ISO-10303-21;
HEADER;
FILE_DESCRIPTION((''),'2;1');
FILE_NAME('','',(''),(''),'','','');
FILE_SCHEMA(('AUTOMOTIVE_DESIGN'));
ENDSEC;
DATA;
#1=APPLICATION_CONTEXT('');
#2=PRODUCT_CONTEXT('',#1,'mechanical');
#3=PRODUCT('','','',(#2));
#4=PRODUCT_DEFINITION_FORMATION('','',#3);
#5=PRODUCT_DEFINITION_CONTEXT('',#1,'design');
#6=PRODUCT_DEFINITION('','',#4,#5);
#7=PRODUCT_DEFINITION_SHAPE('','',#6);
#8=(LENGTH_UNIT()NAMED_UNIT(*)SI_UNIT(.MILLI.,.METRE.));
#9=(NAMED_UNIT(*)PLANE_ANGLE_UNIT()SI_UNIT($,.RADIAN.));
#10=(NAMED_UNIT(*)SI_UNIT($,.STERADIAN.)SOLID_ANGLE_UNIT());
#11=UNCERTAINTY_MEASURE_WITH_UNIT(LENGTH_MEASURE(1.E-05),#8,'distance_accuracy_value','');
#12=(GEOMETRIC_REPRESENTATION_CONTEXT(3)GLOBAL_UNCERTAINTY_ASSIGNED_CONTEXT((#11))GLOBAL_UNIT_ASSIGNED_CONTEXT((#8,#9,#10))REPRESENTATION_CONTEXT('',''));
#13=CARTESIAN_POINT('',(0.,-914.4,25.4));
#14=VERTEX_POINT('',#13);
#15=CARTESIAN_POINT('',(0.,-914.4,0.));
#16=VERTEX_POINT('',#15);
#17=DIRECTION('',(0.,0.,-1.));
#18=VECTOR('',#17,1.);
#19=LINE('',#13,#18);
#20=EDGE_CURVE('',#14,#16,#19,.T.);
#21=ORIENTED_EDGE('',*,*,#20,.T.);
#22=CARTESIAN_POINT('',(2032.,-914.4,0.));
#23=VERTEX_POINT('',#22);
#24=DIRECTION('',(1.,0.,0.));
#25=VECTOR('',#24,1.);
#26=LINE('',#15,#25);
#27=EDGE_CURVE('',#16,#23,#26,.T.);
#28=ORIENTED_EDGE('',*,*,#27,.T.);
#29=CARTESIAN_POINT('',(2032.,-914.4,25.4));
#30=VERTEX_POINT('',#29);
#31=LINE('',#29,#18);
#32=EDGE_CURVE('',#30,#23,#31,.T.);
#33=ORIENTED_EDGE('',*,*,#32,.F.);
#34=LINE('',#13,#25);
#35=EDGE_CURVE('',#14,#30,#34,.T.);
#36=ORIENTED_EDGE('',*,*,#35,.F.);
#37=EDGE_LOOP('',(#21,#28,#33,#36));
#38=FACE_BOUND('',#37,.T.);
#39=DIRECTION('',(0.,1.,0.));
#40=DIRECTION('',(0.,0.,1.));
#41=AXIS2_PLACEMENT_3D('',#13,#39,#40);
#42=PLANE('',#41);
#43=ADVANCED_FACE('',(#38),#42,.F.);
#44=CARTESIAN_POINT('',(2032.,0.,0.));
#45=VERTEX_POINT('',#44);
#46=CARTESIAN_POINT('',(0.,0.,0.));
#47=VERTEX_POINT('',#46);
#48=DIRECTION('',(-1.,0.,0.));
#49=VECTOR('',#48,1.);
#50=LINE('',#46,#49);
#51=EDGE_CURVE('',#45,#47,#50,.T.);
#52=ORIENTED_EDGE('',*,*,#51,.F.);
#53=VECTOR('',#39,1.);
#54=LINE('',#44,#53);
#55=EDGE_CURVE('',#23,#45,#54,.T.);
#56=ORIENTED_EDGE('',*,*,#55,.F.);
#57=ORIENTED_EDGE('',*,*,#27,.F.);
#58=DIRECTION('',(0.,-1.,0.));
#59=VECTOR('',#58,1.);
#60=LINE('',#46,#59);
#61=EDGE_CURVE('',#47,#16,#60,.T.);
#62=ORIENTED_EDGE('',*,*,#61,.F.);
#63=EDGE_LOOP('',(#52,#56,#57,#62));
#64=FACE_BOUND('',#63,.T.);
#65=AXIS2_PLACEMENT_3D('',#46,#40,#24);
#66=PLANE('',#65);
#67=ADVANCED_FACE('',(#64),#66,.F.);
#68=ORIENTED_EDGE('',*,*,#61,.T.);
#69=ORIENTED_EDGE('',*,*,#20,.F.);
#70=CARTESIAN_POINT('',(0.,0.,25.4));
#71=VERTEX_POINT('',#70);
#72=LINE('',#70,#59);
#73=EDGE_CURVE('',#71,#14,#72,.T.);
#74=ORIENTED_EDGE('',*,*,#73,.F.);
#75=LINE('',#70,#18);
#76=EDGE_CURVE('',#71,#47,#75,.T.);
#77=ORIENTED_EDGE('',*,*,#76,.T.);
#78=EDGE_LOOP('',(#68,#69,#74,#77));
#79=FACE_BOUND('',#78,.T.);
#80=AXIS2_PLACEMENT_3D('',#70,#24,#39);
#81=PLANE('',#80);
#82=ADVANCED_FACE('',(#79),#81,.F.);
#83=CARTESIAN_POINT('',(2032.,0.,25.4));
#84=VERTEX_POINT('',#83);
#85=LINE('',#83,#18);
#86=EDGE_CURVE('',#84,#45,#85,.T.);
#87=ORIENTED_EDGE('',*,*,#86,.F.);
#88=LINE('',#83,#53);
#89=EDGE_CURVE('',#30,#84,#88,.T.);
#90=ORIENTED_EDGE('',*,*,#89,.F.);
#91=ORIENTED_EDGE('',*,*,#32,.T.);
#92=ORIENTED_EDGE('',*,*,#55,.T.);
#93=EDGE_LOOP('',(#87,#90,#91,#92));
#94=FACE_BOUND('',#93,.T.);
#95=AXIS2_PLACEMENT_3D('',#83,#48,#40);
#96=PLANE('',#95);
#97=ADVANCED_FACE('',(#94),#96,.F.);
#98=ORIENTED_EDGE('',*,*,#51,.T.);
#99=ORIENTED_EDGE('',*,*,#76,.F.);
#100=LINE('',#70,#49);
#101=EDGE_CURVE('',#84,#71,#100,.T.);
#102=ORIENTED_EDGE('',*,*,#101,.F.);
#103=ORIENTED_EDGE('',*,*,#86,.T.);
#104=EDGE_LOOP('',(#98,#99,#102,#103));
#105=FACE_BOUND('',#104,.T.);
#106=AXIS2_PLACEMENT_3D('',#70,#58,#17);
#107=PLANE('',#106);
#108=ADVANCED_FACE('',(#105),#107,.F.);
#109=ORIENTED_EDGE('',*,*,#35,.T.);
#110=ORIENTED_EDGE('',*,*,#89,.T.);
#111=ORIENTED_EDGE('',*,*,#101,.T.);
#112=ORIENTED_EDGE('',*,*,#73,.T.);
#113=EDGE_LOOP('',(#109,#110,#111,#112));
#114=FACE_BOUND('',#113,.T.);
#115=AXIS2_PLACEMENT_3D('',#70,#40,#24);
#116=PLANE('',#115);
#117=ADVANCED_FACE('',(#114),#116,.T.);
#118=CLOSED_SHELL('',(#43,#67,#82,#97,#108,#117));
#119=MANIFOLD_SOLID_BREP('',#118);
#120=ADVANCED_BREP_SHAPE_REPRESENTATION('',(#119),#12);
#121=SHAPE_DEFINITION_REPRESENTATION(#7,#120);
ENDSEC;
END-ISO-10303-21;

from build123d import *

# Parameters (mm, degrees)
SKETCH1_W           = 2032
SKETCH1_H           = 914.4
BOSS_EXTRUDE1_DEPTH = 25.4


with BuildPart() as part:
    # Sketch1 → Boss-Extrude1 (new body)
    with BuildSketch(Plane.XY):
        with Locations((1016, -457.2)):
            Rectangle(SKETCH1_W, SKETCH1_H)
    extrude(amount=BOSS_EXTRUDE1_DEPTH)


solid = part.part
